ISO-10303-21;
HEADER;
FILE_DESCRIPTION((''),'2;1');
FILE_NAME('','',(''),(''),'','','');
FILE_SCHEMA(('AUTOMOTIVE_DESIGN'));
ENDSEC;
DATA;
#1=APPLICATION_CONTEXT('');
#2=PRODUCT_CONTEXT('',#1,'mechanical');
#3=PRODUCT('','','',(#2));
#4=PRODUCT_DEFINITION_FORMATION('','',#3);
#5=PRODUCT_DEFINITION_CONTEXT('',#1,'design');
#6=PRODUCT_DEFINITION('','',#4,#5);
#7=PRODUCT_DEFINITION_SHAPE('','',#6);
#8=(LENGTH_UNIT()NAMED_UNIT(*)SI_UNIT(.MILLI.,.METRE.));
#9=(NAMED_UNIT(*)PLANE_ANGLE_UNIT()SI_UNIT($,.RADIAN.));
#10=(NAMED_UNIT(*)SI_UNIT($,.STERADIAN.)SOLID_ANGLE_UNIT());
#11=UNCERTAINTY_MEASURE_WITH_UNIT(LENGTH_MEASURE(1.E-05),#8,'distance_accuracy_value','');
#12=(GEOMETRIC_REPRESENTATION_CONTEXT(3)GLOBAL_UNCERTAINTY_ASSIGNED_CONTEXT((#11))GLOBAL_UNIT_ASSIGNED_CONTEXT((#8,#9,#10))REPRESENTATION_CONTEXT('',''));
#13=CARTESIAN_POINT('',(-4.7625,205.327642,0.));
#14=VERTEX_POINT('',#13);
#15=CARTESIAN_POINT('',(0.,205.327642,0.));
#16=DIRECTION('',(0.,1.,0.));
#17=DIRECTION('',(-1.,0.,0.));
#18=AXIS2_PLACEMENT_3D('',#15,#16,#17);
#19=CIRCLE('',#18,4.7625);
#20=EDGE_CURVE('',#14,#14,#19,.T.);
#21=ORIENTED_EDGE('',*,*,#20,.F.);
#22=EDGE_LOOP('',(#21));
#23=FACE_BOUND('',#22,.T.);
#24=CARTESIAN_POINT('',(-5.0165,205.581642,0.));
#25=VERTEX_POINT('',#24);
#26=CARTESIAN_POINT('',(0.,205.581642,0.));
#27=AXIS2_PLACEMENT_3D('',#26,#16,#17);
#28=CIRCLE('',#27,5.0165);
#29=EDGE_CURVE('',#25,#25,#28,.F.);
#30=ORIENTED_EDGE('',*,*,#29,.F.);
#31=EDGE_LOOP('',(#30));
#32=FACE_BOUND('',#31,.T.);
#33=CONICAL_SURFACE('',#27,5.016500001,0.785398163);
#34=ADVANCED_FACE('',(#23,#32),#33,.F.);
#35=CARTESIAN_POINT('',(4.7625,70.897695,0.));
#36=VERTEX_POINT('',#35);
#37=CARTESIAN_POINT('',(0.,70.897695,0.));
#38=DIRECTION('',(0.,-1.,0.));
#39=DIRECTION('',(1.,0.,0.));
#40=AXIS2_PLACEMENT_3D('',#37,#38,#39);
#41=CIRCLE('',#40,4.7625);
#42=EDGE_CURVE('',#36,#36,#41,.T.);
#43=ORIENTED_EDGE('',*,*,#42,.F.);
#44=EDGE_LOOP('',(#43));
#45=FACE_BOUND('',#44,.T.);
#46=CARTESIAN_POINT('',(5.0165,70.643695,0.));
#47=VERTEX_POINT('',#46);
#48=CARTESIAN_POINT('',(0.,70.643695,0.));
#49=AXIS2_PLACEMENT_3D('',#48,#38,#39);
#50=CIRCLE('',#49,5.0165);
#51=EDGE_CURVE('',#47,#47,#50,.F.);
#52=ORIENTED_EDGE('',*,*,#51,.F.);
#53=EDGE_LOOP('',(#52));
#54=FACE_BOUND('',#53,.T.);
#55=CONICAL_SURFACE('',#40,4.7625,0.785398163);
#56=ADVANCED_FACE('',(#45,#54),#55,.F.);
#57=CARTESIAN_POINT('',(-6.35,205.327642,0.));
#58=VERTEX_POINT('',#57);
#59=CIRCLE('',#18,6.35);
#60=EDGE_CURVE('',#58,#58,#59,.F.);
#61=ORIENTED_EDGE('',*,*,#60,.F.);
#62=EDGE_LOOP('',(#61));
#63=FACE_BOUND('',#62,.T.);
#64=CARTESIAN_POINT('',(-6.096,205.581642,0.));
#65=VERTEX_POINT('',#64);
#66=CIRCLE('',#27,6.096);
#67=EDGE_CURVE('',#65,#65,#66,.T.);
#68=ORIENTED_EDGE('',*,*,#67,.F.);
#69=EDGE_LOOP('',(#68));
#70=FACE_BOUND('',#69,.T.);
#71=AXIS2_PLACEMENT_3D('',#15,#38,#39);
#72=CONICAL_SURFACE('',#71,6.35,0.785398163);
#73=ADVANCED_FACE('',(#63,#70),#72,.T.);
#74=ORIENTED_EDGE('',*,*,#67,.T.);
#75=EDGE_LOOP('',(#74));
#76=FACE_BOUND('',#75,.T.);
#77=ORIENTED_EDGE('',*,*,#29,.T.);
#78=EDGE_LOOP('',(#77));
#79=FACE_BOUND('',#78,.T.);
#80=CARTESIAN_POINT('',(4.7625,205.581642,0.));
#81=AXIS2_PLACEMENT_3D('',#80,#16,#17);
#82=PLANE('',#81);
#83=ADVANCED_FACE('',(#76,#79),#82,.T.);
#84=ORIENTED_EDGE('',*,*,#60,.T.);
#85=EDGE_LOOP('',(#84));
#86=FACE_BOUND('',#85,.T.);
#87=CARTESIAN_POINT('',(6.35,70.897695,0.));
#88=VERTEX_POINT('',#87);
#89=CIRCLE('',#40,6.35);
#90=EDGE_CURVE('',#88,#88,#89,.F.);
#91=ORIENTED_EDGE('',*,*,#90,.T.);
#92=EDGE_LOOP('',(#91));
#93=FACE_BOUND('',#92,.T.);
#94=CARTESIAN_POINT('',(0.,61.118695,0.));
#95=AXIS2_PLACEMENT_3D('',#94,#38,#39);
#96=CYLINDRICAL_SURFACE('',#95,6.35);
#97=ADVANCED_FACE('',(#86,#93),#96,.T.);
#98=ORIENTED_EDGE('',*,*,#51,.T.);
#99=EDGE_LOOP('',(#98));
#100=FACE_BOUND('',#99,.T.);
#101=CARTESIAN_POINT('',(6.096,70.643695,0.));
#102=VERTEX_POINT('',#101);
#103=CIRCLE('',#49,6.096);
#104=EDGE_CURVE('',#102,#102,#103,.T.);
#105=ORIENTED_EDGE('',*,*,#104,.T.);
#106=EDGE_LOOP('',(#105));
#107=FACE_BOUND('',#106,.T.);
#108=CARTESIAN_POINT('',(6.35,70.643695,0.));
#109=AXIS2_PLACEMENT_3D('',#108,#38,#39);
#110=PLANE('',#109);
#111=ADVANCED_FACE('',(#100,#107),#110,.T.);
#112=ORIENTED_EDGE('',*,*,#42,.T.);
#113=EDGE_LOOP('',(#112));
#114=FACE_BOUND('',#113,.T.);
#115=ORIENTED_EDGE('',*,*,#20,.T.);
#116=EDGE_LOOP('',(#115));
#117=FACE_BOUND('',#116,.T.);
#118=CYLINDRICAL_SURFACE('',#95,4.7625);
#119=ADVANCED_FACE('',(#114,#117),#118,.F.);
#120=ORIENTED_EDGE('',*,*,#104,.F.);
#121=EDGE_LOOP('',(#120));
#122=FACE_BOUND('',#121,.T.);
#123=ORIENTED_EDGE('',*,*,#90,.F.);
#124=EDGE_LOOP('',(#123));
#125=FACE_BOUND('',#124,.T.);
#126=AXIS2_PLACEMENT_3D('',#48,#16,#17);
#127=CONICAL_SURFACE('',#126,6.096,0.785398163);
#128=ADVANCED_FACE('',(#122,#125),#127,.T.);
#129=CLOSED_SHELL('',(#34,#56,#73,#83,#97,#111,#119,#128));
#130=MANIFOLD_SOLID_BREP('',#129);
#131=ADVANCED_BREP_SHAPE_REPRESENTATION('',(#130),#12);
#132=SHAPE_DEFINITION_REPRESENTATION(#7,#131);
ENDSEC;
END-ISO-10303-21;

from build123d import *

# Parameters (mm, degrees)
SKETCH1_W     = 1.5875
SKETCH1_H     = 134.937947034
CHAMFER1_SIZE = 0.254


with BuildPart() as part:
    # Sketch1 → Revolve1 (revolve)
    with BuildSketch(Plane.XY):
        with Locations((5.55625, 138.112668482)):
            Rectangle(SKETCH1_W, SKETCH1_H)
    revolve(axis=Axis((0, 61.118694965, 0), (0, 1, 0)))

    # Chamfer1
    chamfer1_edges = [part.edges().sort_by_distance(p)[0] for p in [
        (-6.35, 70.643694965, 0),
        (-6.350000001, 205.581641999, 0),
        (-4.762500001, 205.581641999, 0),
        (-4.7625, 70.643694965, 0),
    ]]
    chamfer(chamfer1_edges, length=CHAMFER1_SIZE)


solid = part.part
